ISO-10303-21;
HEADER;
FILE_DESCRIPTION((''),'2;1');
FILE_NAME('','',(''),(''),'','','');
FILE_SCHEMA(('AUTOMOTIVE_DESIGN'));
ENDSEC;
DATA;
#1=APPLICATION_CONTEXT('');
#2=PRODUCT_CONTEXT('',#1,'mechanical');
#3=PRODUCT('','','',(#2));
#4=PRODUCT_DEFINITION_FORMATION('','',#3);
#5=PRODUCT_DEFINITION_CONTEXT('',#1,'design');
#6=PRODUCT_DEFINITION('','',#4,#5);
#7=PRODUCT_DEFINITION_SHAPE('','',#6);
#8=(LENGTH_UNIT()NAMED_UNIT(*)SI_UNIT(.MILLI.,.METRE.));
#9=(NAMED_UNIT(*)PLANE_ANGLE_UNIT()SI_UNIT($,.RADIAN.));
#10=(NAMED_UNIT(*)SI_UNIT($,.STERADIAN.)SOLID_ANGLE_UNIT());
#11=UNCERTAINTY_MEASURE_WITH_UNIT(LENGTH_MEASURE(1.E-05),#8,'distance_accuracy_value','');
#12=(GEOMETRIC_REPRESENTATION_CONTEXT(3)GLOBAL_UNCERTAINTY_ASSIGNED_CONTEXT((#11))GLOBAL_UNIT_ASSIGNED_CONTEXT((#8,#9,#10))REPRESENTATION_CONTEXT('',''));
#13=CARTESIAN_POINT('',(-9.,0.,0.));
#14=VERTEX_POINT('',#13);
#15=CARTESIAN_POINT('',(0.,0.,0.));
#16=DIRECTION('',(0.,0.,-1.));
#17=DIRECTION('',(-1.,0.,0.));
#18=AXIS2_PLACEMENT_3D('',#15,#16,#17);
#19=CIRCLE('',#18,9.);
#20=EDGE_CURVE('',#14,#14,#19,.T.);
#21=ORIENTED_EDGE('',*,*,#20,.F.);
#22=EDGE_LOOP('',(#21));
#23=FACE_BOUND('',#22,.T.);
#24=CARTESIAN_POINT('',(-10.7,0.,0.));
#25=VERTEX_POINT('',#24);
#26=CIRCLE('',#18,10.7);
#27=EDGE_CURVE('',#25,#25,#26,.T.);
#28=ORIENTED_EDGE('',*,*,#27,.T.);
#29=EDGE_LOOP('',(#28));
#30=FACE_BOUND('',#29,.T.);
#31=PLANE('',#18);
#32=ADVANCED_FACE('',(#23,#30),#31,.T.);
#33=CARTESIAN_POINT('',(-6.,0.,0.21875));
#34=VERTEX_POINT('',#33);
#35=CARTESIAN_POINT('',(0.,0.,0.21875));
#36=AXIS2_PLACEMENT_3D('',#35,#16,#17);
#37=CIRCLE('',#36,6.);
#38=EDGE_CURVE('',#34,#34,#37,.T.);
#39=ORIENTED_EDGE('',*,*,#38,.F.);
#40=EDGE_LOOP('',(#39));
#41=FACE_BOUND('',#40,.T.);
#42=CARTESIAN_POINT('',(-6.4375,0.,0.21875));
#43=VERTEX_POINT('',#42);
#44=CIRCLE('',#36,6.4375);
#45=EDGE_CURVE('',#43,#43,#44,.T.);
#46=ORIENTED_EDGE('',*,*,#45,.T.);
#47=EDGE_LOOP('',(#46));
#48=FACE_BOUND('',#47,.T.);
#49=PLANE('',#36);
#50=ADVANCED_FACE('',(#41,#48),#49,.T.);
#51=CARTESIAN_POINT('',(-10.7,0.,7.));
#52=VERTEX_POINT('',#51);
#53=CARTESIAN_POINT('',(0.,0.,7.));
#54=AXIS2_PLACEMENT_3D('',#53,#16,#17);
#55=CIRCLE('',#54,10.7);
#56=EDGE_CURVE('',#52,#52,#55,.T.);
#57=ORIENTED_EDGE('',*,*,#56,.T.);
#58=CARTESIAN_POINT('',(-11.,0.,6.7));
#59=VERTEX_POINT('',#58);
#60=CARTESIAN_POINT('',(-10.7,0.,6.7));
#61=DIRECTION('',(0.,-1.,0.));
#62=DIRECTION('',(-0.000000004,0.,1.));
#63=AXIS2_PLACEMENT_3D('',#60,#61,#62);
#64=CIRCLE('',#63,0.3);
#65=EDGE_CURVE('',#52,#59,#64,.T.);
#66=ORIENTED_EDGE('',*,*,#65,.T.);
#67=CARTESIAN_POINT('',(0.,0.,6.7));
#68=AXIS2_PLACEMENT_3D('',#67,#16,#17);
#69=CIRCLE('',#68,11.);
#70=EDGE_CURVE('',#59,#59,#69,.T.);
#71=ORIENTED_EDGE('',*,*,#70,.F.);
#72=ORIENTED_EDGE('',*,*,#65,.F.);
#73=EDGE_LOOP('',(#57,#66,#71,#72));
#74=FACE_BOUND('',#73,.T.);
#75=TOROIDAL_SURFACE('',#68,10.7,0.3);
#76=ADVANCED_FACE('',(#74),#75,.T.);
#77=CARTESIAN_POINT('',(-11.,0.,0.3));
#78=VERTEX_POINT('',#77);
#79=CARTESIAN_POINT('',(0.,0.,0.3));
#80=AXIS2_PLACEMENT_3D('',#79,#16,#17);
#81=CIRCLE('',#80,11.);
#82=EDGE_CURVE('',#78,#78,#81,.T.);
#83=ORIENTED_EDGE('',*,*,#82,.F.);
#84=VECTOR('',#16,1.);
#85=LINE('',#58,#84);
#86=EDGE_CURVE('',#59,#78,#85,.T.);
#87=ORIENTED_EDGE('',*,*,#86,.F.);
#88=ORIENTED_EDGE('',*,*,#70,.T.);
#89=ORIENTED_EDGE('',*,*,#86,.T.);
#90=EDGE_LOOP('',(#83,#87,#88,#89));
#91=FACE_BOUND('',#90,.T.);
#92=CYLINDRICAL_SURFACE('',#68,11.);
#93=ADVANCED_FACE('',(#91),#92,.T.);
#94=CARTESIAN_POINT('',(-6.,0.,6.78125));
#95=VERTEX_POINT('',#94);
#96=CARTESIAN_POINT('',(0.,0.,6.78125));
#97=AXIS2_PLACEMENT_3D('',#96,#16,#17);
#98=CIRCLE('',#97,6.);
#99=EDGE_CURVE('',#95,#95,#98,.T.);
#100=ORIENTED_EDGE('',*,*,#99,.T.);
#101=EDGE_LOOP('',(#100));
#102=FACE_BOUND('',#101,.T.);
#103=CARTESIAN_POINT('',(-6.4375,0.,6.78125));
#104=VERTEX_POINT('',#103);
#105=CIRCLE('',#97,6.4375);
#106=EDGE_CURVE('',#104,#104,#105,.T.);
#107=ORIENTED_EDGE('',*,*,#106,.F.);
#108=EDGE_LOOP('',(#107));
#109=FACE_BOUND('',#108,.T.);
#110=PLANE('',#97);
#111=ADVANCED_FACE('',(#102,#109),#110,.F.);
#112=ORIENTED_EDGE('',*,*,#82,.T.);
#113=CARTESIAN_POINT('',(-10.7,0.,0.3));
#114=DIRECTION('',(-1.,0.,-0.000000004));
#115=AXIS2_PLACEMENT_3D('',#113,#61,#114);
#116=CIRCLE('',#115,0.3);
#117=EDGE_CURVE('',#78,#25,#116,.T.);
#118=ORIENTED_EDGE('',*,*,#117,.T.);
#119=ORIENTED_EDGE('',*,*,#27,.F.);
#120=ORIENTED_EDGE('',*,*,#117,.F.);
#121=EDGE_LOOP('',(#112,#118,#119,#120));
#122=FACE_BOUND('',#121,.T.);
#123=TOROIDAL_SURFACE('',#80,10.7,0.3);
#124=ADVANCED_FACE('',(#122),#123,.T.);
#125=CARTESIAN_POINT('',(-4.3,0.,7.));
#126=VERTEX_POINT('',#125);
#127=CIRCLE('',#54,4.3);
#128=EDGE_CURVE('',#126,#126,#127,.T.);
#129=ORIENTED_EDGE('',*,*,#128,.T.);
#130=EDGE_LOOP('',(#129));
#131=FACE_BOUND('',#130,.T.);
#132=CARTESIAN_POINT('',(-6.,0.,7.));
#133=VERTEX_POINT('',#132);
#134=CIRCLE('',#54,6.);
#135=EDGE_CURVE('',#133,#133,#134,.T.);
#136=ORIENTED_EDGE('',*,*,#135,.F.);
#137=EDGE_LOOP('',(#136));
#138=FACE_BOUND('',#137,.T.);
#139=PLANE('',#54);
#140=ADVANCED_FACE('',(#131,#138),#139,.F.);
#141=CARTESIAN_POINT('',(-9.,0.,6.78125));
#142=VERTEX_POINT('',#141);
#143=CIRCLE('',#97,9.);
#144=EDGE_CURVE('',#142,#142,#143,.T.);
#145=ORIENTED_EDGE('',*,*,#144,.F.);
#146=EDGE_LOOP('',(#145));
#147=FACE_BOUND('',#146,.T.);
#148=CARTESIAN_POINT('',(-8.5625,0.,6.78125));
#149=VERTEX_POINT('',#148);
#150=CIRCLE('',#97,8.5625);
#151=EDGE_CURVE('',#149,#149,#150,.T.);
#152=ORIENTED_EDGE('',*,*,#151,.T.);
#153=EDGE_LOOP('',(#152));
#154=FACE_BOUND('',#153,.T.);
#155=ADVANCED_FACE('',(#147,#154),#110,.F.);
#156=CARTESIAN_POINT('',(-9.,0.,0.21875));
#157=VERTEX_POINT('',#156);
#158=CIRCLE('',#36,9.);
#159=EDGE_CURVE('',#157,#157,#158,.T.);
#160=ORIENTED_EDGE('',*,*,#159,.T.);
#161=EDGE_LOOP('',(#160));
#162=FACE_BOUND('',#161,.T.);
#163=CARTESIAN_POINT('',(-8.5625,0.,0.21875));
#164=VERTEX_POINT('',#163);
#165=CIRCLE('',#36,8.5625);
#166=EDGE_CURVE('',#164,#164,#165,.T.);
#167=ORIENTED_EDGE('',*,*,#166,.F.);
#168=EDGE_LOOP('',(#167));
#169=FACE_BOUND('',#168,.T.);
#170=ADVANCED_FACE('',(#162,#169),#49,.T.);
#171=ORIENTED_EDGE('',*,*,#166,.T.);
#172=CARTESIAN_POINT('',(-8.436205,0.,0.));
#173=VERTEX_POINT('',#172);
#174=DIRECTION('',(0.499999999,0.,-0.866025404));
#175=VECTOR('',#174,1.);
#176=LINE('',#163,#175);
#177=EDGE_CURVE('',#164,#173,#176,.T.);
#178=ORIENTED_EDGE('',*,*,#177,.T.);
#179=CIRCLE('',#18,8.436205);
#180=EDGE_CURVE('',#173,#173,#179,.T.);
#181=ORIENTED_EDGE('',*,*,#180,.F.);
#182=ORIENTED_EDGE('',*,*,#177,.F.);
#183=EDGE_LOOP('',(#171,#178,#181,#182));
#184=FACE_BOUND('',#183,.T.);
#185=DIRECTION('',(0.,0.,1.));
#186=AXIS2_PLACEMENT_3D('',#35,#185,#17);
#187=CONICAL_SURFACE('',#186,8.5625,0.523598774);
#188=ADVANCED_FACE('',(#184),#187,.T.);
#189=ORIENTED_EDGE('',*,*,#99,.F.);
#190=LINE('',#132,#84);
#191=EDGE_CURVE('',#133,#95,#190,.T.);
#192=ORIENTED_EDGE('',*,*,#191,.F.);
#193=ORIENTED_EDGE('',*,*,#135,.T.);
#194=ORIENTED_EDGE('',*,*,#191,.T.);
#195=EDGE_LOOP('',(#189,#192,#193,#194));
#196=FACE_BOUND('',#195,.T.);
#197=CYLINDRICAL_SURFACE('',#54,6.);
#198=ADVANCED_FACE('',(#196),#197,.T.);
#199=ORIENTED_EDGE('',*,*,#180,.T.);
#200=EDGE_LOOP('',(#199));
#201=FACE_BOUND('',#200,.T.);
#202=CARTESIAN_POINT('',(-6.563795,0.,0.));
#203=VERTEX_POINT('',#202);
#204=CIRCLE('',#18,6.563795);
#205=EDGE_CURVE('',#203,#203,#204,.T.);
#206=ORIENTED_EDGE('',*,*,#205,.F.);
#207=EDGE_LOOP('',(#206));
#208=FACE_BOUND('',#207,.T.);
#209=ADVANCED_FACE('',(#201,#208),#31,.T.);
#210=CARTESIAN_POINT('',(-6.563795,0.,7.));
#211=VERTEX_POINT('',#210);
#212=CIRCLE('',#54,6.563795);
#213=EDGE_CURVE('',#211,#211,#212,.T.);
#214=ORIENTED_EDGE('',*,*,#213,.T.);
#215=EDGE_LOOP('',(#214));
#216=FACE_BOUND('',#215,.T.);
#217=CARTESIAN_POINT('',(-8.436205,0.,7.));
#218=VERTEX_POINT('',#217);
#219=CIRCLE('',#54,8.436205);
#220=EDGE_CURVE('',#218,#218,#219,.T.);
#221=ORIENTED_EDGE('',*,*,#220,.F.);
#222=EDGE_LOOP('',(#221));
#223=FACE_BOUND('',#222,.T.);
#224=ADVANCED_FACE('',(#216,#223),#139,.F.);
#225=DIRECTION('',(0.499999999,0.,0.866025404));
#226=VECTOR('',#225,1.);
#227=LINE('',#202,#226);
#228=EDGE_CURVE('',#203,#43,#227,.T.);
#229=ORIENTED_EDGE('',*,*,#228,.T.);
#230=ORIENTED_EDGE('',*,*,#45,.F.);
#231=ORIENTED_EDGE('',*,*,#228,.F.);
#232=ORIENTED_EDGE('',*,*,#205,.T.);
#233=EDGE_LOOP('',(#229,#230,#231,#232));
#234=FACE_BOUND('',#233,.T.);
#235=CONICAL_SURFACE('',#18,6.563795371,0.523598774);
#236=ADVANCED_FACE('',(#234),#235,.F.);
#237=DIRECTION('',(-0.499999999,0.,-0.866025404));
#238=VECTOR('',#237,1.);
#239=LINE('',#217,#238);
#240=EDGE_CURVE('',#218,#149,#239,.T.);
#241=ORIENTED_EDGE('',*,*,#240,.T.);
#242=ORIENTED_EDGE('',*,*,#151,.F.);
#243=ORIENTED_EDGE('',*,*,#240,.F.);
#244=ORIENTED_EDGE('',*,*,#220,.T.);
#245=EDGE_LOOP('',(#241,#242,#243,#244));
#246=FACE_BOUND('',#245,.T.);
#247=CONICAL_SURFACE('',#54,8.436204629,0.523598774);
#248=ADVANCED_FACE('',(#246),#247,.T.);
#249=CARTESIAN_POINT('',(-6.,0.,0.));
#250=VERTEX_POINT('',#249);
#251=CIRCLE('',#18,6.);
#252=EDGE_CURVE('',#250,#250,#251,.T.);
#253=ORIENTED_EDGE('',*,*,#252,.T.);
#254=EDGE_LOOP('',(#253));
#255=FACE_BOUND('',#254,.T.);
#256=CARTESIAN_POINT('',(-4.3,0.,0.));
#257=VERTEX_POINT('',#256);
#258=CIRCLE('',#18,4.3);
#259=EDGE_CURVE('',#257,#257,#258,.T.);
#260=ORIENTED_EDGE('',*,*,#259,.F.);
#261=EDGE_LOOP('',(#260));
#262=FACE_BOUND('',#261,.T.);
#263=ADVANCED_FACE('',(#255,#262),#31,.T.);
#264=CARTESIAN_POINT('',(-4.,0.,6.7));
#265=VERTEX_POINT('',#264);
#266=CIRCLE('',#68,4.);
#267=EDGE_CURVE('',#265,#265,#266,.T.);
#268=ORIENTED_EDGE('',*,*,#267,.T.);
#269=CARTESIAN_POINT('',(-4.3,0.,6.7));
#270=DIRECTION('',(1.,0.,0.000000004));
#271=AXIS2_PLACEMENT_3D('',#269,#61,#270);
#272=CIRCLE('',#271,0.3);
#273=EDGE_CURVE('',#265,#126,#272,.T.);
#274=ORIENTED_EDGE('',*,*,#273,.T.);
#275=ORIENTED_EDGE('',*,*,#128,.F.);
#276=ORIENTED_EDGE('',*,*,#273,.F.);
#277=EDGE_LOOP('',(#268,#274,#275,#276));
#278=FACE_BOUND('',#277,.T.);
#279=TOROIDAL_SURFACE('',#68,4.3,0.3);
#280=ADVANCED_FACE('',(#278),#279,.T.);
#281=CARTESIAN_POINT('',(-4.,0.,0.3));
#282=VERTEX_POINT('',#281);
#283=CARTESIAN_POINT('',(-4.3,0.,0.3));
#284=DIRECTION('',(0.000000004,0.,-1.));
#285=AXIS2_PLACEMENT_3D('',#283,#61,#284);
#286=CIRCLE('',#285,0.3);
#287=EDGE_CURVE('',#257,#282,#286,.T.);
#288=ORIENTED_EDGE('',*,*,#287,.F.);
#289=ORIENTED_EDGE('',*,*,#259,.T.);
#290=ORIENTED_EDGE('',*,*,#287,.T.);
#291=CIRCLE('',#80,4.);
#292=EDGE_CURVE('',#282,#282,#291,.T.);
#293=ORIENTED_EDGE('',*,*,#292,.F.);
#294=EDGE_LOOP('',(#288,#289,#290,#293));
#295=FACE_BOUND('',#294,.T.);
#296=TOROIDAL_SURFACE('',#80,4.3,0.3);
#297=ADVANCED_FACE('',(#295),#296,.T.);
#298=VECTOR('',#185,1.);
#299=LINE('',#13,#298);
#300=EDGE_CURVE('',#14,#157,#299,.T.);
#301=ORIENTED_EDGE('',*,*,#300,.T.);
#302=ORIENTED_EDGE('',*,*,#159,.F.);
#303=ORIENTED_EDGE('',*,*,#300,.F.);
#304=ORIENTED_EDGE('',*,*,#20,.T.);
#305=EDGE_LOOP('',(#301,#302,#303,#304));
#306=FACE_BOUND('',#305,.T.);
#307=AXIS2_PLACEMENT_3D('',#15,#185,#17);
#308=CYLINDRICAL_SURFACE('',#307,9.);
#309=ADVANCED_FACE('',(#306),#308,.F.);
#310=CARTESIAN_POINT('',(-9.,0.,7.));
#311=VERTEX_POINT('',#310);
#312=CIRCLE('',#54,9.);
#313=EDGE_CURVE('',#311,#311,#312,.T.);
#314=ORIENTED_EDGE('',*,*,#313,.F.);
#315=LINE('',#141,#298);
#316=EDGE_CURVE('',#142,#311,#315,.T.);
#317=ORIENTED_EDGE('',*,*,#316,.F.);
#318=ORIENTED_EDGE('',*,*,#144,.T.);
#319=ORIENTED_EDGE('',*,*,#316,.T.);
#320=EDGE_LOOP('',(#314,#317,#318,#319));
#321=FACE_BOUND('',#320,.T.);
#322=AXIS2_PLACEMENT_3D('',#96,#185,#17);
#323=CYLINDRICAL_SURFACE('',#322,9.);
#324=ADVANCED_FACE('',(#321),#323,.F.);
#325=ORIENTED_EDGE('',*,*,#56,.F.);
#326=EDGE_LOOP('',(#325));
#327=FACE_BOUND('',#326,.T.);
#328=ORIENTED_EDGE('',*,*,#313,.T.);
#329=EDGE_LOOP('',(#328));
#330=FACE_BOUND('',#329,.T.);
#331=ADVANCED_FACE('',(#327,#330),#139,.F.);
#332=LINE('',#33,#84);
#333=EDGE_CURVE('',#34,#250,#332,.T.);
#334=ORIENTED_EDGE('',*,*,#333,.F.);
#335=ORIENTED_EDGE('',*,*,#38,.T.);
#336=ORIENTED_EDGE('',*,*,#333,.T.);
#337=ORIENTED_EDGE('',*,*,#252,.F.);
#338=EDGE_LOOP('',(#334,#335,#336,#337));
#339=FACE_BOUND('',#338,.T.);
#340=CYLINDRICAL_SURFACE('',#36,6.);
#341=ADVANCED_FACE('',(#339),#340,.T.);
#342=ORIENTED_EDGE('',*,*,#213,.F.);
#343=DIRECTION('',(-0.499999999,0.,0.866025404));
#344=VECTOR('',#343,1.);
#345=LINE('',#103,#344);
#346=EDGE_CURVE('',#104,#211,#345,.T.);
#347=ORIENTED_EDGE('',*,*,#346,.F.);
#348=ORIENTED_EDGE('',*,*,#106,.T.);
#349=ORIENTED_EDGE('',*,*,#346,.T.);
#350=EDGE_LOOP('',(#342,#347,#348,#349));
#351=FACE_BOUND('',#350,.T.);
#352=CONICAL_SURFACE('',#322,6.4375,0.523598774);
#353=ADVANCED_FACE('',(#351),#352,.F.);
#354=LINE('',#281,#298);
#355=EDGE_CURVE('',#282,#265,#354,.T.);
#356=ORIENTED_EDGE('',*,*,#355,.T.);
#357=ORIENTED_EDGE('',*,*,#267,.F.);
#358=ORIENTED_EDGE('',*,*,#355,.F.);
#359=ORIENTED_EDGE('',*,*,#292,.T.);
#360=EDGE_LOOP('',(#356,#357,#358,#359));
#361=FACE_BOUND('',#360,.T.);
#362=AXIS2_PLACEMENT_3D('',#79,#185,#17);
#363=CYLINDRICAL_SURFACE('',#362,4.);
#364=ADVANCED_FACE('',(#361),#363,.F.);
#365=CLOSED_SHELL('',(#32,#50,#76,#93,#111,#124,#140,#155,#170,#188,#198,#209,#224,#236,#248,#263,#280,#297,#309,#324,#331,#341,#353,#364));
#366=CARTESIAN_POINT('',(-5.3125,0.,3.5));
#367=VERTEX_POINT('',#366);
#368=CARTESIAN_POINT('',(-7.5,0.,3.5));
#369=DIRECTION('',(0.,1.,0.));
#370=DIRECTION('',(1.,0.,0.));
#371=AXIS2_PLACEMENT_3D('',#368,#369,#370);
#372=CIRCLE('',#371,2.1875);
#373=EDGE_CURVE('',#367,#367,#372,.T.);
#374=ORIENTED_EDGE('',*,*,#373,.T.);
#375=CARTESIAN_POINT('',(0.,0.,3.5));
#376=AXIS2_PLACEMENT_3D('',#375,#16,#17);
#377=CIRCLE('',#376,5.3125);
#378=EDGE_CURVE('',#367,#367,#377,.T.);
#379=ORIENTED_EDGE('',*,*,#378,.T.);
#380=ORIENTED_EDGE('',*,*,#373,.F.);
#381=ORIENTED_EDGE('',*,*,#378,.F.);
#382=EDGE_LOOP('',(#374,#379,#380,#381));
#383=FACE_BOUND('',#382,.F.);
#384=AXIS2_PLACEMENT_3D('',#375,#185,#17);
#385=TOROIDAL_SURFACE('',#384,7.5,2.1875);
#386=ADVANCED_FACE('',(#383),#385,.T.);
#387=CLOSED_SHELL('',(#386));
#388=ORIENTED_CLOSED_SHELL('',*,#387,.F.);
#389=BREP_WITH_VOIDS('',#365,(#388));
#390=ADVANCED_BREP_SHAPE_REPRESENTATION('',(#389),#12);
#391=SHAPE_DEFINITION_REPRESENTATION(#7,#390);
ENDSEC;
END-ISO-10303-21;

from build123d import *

# Parameters (mm, degrees)
SKETCH2_R = 2.1875


with BuildPart() as part:
    # Sketch2 → Base-Revolve (revolve)
    with BuildSketch(Plane(origin=(0, 0, 0), x_dir=(1, 0, 0), z_dir=(0, 1, 0))):
        with BuildLine():
            Line((-9, 0), (-9, -0.21875))
            Line((-9, -0.21875), (-8.5625, -0.21875))
            Line((-8.5625, -0.21875), (-8.436204629, 0))
            Line((-8.436204629, 0), (-6.563795371, 0))
            Line((-6.563795371, 0), (-6.4375, -0.21875))
            Line((-6.4375, -0.21875), (-6, -0.21875))
            Line((-6, -0.21875), (-6, 0))
            Line((-6, 0), (-4.3, 0))
            ThreePointArc((-4.3, 0), (-4.087867966, -0.087867966), (-4, -0.3))
            Line((-4, -0.3), (-4, -6.7))
            ThreePointArc((-4, -6.7), (-4.087867966, -6.912132034), (-4.3, -7))
            Line((-4.3, -7), (-6, -7))
            Line((-6, -7), (-6, -6.78125))
            Line((-6, -6.78125), (-6.4375, -6.78125))
            Line((-6.4375, -6.78125), (-6.563795371, -7))
            Line((-6.563795371, -7), (-8.436204629, -7))
            Line((-8.436204629, -7), (-8.5625, -6.78125))
            Line((-8.5625, -6.78125), (-9, -6.78125))
            Line((-9, -6.78125), (-9, -7))
            Line((-9, -7), (-10.7, -7))
            ThreePointArc((-10.7, -7), (-10.912132034, -6.912132034), (-11, -6.7))
            Line((-11, -6.7), (-11, -0.3))
            ThreePointArc((-11, -0.3), (-10.912132034, -0.087867966), (-10.7, 0))
            Line((-10.7, 0), (-9, 0))
        make_face()
        with Locations((-7.5, -3.5)):
            Circle(SKETCH2_R, mode=Mode.SUBTRACT)
    revolve(axis=Axis((0, 0, 19), (0, 0, -1)))


solid = part.part
